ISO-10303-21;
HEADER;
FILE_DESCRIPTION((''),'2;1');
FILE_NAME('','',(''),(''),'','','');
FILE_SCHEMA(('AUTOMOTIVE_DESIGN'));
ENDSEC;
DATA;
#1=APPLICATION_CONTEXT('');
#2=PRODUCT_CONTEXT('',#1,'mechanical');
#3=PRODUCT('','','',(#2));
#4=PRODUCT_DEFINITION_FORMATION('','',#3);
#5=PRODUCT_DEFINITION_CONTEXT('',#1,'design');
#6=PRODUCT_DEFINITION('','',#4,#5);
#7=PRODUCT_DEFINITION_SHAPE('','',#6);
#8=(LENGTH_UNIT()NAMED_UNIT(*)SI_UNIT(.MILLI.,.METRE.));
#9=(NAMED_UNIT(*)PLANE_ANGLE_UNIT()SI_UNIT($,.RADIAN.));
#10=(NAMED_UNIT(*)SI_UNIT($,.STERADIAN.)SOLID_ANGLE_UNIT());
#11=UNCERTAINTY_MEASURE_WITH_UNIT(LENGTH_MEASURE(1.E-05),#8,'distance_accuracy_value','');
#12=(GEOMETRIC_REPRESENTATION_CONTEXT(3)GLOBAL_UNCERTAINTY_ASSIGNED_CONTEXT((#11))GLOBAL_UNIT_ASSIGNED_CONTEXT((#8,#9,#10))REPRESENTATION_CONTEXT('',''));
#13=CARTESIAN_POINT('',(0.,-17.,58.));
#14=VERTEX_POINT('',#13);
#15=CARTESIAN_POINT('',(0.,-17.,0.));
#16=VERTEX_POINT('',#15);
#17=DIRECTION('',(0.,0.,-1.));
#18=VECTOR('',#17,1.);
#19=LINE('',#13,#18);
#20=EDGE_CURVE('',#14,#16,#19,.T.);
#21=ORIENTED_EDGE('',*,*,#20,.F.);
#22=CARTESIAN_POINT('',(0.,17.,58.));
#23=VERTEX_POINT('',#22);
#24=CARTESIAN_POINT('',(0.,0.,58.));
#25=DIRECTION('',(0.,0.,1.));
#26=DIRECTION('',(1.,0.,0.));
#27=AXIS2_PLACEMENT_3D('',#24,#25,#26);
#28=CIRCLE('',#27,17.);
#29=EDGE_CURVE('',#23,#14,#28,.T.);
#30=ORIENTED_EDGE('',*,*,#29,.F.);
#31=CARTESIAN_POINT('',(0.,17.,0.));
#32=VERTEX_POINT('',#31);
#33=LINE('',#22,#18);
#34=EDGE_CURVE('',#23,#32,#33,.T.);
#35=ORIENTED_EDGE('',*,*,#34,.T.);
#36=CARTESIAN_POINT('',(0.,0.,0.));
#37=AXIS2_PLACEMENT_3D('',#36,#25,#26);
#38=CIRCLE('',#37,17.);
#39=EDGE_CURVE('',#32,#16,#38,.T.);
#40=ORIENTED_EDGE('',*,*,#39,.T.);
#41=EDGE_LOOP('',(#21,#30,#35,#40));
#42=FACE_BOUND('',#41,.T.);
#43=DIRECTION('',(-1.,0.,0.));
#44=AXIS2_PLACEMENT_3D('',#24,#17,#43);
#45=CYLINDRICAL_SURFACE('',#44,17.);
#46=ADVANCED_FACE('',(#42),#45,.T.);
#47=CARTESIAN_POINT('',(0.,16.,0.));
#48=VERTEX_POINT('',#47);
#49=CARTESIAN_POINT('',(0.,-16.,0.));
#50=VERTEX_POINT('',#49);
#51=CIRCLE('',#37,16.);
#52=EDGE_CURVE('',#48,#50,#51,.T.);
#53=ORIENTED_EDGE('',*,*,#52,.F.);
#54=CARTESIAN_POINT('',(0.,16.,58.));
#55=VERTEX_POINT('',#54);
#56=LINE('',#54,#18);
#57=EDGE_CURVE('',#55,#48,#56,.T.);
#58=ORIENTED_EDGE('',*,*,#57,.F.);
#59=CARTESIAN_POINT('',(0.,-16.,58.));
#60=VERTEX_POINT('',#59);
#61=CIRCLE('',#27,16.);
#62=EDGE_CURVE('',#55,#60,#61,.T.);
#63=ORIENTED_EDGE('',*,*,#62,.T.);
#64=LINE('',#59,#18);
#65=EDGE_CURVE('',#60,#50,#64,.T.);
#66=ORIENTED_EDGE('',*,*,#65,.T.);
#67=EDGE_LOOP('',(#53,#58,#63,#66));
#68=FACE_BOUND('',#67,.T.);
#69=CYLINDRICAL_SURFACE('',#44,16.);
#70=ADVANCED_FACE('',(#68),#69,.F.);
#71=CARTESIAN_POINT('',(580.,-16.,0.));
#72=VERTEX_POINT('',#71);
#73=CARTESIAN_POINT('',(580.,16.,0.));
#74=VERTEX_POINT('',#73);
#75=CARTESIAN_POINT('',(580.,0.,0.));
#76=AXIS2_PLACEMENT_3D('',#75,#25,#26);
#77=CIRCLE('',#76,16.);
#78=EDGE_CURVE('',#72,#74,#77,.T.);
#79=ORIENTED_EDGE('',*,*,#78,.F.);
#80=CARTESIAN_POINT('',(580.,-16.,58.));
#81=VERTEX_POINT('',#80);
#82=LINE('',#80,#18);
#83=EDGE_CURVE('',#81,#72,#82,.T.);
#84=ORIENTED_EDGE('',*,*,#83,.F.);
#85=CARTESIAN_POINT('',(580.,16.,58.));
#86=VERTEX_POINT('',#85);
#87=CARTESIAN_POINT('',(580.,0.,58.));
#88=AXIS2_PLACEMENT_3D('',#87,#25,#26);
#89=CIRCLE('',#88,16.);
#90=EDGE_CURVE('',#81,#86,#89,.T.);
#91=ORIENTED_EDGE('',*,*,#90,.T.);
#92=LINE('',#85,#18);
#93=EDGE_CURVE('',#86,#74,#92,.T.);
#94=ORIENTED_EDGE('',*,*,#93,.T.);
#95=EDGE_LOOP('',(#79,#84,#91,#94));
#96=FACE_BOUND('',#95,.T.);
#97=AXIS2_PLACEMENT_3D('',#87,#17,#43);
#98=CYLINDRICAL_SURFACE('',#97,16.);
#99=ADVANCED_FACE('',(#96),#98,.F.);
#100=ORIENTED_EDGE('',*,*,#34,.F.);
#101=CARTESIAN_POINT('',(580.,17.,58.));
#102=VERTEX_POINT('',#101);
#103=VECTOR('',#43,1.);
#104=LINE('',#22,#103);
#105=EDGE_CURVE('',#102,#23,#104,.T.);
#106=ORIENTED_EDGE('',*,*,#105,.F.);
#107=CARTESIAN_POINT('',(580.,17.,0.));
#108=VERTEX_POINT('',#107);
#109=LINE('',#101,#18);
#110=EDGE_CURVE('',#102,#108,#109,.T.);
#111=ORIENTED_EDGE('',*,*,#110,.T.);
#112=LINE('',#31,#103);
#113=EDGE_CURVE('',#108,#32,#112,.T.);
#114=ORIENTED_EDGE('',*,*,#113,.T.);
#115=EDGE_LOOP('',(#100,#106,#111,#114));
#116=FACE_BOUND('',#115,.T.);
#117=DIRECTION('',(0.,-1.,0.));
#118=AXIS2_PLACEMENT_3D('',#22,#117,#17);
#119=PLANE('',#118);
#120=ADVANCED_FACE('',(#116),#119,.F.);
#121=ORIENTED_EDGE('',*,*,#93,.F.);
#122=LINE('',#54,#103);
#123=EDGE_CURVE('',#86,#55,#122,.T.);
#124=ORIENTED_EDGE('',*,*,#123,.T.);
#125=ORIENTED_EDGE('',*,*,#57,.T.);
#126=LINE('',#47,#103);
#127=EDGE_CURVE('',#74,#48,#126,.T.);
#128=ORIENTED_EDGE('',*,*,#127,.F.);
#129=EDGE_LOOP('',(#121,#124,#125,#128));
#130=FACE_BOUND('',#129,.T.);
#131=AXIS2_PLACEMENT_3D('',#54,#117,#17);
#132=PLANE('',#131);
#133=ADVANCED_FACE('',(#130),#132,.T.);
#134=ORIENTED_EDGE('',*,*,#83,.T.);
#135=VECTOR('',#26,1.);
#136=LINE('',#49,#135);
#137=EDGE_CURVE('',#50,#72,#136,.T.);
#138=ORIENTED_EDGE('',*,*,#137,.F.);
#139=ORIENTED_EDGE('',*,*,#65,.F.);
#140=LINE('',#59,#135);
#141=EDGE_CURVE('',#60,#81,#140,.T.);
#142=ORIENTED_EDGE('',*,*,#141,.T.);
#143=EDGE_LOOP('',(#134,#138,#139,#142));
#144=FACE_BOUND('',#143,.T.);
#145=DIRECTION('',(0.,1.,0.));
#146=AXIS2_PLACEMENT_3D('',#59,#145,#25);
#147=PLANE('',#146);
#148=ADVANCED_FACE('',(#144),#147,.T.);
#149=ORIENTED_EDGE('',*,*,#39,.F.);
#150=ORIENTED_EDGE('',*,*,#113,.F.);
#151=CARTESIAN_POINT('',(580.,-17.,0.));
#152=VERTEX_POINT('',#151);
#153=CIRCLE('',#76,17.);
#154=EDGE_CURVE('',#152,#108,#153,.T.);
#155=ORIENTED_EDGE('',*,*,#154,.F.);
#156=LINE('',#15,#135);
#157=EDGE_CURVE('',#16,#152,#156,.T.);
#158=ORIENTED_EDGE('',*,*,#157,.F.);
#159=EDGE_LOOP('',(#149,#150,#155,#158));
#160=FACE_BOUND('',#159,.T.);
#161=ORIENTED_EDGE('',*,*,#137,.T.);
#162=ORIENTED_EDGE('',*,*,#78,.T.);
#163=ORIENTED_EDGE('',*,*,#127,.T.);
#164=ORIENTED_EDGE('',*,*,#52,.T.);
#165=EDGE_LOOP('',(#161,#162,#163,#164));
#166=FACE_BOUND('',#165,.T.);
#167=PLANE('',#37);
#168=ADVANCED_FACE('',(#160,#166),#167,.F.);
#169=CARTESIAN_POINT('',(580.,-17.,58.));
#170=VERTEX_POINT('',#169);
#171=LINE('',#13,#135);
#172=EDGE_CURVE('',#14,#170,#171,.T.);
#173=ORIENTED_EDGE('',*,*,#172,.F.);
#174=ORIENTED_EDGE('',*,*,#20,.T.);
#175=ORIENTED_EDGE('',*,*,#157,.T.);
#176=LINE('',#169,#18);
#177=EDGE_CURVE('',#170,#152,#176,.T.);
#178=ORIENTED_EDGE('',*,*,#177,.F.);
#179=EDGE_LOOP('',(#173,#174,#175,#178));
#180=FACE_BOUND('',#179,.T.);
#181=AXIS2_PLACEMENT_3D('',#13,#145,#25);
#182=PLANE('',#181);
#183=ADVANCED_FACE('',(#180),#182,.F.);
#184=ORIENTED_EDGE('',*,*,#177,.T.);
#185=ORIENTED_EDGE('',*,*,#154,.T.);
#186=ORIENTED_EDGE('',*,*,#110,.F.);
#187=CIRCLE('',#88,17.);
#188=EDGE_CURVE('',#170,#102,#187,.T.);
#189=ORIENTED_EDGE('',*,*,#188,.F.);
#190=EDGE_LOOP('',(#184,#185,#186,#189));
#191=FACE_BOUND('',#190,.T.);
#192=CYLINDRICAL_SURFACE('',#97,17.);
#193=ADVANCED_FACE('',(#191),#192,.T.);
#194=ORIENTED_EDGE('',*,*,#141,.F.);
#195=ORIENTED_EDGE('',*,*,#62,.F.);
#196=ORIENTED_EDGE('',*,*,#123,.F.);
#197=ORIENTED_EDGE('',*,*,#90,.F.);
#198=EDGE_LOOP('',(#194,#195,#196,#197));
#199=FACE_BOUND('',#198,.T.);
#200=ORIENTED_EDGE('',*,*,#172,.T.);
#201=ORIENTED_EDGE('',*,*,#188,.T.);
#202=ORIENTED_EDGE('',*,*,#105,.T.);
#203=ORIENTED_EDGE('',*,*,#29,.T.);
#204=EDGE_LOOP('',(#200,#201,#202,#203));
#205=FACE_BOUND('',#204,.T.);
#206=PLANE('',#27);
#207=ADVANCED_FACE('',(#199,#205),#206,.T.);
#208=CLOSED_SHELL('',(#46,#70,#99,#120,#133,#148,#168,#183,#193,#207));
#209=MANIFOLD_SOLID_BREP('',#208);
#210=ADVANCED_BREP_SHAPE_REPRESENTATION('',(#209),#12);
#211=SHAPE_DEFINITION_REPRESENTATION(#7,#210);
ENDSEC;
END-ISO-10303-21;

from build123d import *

# Parameters (mm, degrees)
BOSS_EXTRUDE1_DEPTH = 58


with BuildPart() as part:
    # Sketch1 → Boss-Extrude1 (new body)
    with BuildSketch(Plane.XY):
        with BuildLine():
            Line((0, 17), (580, 17))
            ThreePointArc((580, 17), (597, 0), (580, -17))
            Line((580, -17), (0, -17))
            ThreePointArc((0, -17), (-17, 0), (0, 17))
        make_face()
        with BuildLine():
            Line((0, 16), (580, 16))
            ThreePointArc((580, 16), (596, 0), (580, -16))
            Line((580, -16), (0, -16))
            ThreePointArc((0, -16), (-16, 0), (0, 16))
        make_face(mode=Mode.SUBTRACT)
    extrude(amount=BOSS_EXTRUDE1_DEPTH)


solid = part.part
